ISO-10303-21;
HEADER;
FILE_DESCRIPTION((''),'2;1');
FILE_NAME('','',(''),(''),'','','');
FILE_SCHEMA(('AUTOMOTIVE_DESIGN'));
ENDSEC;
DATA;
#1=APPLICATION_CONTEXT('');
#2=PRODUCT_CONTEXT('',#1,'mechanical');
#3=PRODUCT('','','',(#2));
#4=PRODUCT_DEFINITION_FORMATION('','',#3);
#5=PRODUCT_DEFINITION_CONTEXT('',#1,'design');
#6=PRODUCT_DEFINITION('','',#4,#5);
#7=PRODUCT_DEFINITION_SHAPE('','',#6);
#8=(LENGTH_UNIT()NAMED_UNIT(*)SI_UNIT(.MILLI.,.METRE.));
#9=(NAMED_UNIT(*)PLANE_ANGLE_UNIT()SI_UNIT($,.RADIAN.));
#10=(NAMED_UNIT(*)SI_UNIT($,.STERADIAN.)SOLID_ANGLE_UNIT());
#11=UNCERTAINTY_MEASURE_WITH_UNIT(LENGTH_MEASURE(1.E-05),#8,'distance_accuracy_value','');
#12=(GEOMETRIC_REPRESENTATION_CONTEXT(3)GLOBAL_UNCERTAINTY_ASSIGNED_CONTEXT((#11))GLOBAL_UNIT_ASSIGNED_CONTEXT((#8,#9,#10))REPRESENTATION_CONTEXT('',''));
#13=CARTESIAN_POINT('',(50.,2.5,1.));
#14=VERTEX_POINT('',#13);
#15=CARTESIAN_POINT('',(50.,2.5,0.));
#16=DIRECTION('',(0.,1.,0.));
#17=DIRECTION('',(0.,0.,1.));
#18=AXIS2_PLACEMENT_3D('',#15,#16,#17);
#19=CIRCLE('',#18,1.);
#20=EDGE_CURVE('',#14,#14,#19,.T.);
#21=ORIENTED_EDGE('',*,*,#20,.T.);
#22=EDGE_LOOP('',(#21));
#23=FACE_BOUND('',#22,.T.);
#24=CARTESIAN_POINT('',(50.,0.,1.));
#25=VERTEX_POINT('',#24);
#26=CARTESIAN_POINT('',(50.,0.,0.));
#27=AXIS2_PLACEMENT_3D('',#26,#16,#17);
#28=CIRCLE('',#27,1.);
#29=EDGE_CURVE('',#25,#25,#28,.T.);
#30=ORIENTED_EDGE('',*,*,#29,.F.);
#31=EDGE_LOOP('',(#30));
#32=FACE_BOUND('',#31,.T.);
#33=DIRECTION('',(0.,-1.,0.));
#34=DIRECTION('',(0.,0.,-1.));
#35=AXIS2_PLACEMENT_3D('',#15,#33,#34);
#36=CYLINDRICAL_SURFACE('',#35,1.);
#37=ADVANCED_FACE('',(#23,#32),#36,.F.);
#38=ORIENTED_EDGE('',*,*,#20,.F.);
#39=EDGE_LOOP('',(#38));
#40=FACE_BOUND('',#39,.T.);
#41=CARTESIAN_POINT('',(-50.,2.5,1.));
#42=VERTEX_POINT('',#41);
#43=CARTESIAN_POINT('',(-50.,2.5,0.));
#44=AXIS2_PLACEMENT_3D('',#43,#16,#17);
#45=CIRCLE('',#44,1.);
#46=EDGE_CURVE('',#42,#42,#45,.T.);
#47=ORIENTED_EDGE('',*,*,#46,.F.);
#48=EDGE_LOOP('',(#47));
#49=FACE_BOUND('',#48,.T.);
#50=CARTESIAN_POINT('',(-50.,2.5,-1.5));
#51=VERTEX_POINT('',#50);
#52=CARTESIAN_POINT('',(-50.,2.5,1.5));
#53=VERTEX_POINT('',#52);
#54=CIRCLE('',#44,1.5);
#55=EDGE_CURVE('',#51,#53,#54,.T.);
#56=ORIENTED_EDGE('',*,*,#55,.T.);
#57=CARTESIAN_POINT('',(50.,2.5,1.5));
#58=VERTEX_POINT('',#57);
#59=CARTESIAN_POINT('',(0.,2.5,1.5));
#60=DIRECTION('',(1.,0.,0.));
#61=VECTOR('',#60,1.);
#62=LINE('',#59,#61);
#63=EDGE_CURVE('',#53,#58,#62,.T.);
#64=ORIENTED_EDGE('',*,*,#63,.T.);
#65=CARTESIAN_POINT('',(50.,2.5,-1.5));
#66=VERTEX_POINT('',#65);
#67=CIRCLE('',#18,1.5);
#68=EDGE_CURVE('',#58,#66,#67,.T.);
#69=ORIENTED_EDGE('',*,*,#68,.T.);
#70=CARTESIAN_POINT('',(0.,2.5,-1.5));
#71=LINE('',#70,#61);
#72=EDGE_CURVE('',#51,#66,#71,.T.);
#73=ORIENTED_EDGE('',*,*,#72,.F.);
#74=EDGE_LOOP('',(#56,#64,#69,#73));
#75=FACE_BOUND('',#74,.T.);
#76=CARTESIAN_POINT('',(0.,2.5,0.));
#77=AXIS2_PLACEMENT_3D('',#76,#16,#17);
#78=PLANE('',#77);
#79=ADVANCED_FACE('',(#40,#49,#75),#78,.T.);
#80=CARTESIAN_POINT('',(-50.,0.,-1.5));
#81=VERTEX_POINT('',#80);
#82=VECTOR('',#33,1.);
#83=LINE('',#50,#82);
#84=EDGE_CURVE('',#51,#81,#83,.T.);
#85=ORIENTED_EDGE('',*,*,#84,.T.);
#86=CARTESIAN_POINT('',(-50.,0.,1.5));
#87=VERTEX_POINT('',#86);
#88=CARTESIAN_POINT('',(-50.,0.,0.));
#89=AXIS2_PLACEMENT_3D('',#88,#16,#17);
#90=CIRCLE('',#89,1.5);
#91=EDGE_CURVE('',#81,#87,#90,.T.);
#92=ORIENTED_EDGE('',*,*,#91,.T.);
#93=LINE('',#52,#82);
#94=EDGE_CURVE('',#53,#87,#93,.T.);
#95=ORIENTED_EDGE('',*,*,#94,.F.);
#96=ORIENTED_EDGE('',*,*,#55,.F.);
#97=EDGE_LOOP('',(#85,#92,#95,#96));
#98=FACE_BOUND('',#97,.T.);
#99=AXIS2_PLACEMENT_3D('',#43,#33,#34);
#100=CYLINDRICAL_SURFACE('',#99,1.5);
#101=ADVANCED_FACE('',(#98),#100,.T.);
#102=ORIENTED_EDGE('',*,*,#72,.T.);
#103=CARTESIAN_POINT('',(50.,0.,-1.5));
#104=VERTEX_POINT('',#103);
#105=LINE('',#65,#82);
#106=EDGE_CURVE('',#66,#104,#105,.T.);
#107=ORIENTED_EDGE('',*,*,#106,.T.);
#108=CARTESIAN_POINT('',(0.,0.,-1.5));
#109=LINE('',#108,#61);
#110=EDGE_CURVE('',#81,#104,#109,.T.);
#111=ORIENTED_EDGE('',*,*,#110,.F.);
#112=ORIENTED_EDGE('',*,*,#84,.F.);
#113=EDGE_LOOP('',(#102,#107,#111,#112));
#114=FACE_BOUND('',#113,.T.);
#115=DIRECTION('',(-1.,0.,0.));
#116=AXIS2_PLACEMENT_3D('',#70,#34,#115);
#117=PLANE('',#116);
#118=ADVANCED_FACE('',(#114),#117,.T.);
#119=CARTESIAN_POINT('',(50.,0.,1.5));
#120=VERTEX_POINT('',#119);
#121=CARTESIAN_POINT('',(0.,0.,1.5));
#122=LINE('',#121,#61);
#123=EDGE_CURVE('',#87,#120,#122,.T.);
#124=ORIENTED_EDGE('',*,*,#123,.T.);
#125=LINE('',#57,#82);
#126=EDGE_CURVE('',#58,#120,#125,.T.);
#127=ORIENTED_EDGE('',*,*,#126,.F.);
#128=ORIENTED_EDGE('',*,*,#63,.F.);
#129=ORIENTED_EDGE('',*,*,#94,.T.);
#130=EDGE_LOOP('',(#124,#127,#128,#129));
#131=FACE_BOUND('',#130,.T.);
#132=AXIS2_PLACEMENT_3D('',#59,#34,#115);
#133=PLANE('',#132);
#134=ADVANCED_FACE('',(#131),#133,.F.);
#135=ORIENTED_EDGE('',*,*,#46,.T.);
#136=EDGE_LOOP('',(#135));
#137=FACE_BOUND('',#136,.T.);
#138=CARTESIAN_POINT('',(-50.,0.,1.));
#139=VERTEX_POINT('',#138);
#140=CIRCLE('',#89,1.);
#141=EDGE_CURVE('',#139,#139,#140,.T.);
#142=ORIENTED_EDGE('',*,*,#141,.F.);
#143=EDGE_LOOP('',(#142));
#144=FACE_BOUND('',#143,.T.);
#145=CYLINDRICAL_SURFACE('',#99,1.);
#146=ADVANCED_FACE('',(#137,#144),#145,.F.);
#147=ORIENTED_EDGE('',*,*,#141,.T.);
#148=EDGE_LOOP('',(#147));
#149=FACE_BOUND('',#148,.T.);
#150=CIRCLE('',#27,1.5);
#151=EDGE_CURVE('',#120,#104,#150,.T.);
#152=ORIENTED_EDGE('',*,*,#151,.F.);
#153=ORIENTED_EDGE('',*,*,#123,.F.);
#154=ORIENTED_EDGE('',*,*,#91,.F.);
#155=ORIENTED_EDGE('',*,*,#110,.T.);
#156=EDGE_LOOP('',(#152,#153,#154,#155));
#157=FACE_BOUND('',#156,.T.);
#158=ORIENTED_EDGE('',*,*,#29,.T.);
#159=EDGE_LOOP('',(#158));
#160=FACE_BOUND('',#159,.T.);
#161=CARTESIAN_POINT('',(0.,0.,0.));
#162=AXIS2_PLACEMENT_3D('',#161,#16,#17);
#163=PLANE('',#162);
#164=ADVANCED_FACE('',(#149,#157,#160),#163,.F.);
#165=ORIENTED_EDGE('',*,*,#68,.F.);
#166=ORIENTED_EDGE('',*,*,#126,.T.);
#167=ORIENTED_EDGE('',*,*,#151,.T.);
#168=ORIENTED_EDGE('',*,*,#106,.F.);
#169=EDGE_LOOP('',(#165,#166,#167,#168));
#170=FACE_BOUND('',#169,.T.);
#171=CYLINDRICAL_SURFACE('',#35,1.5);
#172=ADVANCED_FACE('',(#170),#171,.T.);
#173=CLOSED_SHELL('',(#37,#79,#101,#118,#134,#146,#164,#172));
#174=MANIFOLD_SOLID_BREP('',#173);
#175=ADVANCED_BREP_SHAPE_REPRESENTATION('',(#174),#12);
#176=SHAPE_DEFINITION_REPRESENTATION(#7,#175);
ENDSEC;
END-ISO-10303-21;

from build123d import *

# Parameters (mm, degrees)
BOSS_EXTRUDE1_DEPTH = 2.5


with BuildPart() as part:
    # Sketch1 → Boss-Extrude1 (new body)
    with BuildSketch(Plane(origin=(0, 0, 0), x_dir=(1, 0, 0), z_dir=(0, 1, 0))):
        with BuildLine():
            ThreePointArc((-50, 1.5), (-51.5, 0), (-50, -1.5))
            Line((-50, -1.5), (-50, -1))
            ThreePointArc((-50, -1), (-51, 0), (-50, 1))
            Line((-50, 1), (-50, 1.5))
        make_face()
        with BuildLine():
            Line((-50, -1), (-50, -1.5))
            ThreePointArc((-50, -1.5), (-48.939339828, -1.060660172), (-48.5, 0))
            ThreePointArc((-48.5, 0), (-48.939339828, 1.060660172), (-50, 1.5))
            Line((-50, 1.5), (-50, 1))
            ThreePointArc((-50, 1), (-49.292893219, 0.707106781), (-49, 0))
            ThreePointArc((-49, 0), (-49.292893219, -0.707106781), (-50, -1))
        make_face()
        with BuildLine():
            ThreePointArc((-48.5, 0), (-48.939339828, -1.060660172), (-50, -1.5))
            Line((-50, -1.5), (50, -1.5))
            ThreePointArc((50, -1.5), (48.5, 0), (50, 1.5))
            Line((50, 1.5), (-50, 1.5))
            ThreePointArc((-50, 1.5), (-48.939339828, 1.060660172), (-48.5, 0))
        make_face()
        with BuildLine():
            ThreePointArc((50, 1.5), (48.5, 0), (50, -1.5))
            Line((50, -1.5), (50, -1))
            ThreePointArc((50, -1), (49, 0), (50, 1))
            Line((50, 1), (50, 1.5))
        make_face()
        with BuildLine():
            Line((50, -1), (50, -1.5))
            ThreePointArc((50, -1.5), (51.060660172, -1.060660172), (51.5, 0))
            ThreePointArc((51.5, 0), (51.060660172, 1.060660172), (50, 1.5))
            Line((50, 1.5), (50, 1))
            ThreePointArc((50, 1), (50.707106781, 0.707106781), (51, 0))
            ThreePointArc((51, 0), (50.707106781, -0.707106781), (50, -1))
        make_face()
    extrude(amount=BOSS_EXTRUDE1_DEPTH)


solid = part.part
